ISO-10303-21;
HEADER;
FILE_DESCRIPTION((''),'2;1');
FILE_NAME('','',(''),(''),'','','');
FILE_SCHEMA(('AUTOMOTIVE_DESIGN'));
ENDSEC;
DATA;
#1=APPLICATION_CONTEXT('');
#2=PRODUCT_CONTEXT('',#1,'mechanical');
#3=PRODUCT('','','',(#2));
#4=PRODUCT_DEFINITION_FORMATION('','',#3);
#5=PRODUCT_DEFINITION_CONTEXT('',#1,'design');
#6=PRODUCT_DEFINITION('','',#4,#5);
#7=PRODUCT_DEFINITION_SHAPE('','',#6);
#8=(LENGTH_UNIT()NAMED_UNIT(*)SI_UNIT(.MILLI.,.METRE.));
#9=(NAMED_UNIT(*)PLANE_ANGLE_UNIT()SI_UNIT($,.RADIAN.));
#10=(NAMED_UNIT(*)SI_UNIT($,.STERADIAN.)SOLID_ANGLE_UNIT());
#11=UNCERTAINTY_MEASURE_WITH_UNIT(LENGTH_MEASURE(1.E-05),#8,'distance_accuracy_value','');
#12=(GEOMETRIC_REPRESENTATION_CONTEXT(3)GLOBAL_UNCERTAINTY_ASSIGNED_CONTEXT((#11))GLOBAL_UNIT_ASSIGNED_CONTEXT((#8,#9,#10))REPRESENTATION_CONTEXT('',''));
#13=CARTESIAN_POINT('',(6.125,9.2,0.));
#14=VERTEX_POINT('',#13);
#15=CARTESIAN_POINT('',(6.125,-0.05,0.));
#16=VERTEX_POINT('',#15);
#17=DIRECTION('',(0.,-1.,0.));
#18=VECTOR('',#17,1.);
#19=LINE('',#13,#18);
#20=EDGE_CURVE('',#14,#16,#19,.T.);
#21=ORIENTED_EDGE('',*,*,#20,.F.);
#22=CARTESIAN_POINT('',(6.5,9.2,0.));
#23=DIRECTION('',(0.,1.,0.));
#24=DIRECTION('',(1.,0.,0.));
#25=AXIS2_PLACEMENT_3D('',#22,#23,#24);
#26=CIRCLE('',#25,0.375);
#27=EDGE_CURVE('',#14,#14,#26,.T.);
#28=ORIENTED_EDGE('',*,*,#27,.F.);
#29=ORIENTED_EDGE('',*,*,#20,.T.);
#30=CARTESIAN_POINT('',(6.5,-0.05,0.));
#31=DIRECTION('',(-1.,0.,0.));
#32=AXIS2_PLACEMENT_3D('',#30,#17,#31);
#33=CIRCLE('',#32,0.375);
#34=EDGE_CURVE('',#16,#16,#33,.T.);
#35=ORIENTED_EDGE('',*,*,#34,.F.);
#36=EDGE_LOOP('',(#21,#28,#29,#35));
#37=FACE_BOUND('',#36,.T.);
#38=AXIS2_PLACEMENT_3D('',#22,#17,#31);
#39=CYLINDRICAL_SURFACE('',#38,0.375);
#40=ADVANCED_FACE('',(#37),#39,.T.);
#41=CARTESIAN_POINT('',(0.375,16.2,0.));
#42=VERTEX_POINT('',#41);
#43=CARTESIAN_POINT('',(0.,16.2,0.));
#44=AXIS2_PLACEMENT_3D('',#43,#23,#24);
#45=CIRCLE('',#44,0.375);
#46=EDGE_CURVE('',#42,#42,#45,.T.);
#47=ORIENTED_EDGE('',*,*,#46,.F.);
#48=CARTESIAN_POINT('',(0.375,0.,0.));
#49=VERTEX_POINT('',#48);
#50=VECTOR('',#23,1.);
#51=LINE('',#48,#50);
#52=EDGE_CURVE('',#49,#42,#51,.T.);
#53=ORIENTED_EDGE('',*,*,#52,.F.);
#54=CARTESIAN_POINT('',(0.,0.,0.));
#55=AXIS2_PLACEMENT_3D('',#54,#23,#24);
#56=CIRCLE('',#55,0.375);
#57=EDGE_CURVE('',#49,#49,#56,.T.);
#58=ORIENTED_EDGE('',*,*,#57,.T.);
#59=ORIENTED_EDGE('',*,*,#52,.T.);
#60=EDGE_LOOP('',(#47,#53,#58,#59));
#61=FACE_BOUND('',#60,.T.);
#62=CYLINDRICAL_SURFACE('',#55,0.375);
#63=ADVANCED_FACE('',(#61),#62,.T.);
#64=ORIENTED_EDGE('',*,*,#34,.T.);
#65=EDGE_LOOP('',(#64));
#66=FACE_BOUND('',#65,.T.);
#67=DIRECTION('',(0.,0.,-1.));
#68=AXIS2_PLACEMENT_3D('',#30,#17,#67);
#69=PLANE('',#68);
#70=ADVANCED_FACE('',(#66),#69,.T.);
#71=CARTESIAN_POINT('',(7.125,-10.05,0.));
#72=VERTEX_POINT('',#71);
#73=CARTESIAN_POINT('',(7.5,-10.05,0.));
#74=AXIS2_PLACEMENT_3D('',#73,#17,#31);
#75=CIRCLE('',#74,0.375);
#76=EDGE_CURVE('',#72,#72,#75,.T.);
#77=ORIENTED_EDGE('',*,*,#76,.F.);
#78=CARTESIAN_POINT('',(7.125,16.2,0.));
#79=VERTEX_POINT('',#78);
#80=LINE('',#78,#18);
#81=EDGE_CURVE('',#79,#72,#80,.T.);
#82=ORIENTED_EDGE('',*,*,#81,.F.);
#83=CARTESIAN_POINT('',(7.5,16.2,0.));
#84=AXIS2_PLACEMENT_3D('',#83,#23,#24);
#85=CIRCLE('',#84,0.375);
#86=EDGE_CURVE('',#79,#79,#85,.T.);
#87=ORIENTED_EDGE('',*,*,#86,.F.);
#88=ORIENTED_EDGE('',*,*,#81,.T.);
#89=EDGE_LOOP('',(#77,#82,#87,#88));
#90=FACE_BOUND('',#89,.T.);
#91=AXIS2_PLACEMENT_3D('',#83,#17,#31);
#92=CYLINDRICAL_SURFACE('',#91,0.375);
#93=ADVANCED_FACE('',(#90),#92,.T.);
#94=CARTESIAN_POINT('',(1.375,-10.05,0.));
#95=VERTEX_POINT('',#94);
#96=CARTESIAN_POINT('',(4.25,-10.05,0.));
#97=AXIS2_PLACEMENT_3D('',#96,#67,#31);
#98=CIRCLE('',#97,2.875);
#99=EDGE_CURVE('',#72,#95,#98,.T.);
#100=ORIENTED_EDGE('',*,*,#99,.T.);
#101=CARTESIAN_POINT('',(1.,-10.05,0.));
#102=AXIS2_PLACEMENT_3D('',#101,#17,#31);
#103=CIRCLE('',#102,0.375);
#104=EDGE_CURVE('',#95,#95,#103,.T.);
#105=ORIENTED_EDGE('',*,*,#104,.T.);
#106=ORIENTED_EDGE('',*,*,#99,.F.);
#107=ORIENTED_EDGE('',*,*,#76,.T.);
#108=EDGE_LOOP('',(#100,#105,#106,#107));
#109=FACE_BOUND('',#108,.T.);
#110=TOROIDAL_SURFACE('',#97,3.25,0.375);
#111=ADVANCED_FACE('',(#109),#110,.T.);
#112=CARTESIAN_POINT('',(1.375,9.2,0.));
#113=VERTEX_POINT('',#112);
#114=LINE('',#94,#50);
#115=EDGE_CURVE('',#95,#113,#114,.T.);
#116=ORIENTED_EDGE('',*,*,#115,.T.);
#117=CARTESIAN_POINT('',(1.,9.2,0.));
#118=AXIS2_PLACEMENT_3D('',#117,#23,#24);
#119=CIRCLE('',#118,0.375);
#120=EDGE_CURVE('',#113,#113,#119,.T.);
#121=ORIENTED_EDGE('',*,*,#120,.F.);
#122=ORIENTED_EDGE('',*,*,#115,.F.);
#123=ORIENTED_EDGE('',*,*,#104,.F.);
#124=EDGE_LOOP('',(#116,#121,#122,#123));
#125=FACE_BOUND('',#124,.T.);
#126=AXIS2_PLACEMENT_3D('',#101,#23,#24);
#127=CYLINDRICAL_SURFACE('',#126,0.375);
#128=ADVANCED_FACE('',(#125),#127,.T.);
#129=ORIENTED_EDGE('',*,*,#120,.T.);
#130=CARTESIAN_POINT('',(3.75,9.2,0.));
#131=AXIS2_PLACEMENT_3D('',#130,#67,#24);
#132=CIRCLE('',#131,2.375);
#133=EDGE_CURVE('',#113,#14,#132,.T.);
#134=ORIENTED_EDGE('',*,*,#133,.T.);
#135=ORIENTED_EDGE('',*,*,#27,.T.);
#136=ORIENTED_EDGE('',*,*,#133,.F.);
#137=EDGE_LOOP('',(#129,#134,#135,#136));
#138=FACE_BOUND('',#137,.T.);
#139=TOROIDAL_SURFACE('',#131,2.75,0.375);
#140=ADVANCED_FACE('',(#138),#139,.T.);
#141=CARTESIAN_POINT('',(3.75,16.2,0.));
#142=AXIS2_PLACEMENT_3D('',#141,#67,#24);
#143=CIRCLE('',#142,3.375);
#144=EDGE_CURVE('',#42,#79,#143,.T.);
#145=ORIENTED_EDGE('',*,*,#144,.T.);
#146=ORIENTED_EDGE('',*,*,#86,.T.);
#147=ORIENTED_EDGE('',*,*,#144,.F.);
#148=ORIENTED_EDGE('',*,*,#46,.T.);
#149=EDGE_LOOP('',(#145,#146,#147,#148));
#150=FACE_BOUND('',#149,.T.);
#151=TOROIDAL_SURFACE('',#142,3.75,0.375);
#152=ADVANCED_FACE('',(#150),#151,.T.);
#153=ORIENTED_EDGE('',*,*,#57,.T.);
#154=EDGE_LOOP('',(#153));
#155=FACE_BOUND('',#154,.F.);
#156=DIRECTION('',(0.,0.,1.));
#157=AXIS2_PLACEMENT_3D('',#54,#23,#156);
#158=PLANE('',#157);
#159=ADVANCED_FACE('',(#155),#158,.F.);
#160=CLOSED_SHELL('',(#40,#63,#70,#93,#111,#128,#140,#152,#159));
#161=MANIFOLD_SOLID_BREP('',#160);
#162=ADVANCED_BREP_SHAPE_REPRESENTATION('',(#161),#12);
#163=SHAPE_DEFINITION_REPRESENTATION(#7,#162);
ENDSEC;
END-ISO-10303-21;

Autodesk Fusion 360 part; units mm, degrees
sketch "sweep path" plane through (0, 0, 0) normal (0, 0, 1) x (1, 0, 0)
  line L0 (0, 0) -> (0, 16.2)
  line L1 (0, 16.2) -> (7.5, 16.2)
  line L2 (7.5, 16.2) -> (7.5, -10.05)
  line L3 (7.5, -10.05) -> (1, -10.05) construction
  line L4 (1, -10.05) -> (1, 9.2)
  line L5 (1, 9.2) -> (6.5, 9.2)
  line L6 (6.5, 9.2) -> (6.5, -0.05)
  arc A0 (7.5, 16.2) -> (0, 16.2) centre (3.75, 16.2) ccw
  arc A1 (6.5, 9.2) -> (1, 9.2) centre (3.75, 9.2) ccw
  arc A2 (1, -10.05) -> (7.5, -10.05) centre (4.25, -10.05) ccw
  dimension "d1" = 16.2
  dimension "d2" = 7.5
  dimension "d3" = 26.25
  dimension "d4" = 6.5
  dimension "d5" = 19.25
  dimension "d6" = 5.5
  dimension "d7" = 9.25
sketch "Sketch2" plane through (0, 0, 0) normal (0, 1, 0) x (1, 0, 0)
  circle A0 centre (0, 0) radius 0.375
  dimension "d8" = 0.75
sweep "Sweep1" add profiles "Sketch2" path "sweep path" along L0 A0 L2 A2 L4 A1 L6 section 1
